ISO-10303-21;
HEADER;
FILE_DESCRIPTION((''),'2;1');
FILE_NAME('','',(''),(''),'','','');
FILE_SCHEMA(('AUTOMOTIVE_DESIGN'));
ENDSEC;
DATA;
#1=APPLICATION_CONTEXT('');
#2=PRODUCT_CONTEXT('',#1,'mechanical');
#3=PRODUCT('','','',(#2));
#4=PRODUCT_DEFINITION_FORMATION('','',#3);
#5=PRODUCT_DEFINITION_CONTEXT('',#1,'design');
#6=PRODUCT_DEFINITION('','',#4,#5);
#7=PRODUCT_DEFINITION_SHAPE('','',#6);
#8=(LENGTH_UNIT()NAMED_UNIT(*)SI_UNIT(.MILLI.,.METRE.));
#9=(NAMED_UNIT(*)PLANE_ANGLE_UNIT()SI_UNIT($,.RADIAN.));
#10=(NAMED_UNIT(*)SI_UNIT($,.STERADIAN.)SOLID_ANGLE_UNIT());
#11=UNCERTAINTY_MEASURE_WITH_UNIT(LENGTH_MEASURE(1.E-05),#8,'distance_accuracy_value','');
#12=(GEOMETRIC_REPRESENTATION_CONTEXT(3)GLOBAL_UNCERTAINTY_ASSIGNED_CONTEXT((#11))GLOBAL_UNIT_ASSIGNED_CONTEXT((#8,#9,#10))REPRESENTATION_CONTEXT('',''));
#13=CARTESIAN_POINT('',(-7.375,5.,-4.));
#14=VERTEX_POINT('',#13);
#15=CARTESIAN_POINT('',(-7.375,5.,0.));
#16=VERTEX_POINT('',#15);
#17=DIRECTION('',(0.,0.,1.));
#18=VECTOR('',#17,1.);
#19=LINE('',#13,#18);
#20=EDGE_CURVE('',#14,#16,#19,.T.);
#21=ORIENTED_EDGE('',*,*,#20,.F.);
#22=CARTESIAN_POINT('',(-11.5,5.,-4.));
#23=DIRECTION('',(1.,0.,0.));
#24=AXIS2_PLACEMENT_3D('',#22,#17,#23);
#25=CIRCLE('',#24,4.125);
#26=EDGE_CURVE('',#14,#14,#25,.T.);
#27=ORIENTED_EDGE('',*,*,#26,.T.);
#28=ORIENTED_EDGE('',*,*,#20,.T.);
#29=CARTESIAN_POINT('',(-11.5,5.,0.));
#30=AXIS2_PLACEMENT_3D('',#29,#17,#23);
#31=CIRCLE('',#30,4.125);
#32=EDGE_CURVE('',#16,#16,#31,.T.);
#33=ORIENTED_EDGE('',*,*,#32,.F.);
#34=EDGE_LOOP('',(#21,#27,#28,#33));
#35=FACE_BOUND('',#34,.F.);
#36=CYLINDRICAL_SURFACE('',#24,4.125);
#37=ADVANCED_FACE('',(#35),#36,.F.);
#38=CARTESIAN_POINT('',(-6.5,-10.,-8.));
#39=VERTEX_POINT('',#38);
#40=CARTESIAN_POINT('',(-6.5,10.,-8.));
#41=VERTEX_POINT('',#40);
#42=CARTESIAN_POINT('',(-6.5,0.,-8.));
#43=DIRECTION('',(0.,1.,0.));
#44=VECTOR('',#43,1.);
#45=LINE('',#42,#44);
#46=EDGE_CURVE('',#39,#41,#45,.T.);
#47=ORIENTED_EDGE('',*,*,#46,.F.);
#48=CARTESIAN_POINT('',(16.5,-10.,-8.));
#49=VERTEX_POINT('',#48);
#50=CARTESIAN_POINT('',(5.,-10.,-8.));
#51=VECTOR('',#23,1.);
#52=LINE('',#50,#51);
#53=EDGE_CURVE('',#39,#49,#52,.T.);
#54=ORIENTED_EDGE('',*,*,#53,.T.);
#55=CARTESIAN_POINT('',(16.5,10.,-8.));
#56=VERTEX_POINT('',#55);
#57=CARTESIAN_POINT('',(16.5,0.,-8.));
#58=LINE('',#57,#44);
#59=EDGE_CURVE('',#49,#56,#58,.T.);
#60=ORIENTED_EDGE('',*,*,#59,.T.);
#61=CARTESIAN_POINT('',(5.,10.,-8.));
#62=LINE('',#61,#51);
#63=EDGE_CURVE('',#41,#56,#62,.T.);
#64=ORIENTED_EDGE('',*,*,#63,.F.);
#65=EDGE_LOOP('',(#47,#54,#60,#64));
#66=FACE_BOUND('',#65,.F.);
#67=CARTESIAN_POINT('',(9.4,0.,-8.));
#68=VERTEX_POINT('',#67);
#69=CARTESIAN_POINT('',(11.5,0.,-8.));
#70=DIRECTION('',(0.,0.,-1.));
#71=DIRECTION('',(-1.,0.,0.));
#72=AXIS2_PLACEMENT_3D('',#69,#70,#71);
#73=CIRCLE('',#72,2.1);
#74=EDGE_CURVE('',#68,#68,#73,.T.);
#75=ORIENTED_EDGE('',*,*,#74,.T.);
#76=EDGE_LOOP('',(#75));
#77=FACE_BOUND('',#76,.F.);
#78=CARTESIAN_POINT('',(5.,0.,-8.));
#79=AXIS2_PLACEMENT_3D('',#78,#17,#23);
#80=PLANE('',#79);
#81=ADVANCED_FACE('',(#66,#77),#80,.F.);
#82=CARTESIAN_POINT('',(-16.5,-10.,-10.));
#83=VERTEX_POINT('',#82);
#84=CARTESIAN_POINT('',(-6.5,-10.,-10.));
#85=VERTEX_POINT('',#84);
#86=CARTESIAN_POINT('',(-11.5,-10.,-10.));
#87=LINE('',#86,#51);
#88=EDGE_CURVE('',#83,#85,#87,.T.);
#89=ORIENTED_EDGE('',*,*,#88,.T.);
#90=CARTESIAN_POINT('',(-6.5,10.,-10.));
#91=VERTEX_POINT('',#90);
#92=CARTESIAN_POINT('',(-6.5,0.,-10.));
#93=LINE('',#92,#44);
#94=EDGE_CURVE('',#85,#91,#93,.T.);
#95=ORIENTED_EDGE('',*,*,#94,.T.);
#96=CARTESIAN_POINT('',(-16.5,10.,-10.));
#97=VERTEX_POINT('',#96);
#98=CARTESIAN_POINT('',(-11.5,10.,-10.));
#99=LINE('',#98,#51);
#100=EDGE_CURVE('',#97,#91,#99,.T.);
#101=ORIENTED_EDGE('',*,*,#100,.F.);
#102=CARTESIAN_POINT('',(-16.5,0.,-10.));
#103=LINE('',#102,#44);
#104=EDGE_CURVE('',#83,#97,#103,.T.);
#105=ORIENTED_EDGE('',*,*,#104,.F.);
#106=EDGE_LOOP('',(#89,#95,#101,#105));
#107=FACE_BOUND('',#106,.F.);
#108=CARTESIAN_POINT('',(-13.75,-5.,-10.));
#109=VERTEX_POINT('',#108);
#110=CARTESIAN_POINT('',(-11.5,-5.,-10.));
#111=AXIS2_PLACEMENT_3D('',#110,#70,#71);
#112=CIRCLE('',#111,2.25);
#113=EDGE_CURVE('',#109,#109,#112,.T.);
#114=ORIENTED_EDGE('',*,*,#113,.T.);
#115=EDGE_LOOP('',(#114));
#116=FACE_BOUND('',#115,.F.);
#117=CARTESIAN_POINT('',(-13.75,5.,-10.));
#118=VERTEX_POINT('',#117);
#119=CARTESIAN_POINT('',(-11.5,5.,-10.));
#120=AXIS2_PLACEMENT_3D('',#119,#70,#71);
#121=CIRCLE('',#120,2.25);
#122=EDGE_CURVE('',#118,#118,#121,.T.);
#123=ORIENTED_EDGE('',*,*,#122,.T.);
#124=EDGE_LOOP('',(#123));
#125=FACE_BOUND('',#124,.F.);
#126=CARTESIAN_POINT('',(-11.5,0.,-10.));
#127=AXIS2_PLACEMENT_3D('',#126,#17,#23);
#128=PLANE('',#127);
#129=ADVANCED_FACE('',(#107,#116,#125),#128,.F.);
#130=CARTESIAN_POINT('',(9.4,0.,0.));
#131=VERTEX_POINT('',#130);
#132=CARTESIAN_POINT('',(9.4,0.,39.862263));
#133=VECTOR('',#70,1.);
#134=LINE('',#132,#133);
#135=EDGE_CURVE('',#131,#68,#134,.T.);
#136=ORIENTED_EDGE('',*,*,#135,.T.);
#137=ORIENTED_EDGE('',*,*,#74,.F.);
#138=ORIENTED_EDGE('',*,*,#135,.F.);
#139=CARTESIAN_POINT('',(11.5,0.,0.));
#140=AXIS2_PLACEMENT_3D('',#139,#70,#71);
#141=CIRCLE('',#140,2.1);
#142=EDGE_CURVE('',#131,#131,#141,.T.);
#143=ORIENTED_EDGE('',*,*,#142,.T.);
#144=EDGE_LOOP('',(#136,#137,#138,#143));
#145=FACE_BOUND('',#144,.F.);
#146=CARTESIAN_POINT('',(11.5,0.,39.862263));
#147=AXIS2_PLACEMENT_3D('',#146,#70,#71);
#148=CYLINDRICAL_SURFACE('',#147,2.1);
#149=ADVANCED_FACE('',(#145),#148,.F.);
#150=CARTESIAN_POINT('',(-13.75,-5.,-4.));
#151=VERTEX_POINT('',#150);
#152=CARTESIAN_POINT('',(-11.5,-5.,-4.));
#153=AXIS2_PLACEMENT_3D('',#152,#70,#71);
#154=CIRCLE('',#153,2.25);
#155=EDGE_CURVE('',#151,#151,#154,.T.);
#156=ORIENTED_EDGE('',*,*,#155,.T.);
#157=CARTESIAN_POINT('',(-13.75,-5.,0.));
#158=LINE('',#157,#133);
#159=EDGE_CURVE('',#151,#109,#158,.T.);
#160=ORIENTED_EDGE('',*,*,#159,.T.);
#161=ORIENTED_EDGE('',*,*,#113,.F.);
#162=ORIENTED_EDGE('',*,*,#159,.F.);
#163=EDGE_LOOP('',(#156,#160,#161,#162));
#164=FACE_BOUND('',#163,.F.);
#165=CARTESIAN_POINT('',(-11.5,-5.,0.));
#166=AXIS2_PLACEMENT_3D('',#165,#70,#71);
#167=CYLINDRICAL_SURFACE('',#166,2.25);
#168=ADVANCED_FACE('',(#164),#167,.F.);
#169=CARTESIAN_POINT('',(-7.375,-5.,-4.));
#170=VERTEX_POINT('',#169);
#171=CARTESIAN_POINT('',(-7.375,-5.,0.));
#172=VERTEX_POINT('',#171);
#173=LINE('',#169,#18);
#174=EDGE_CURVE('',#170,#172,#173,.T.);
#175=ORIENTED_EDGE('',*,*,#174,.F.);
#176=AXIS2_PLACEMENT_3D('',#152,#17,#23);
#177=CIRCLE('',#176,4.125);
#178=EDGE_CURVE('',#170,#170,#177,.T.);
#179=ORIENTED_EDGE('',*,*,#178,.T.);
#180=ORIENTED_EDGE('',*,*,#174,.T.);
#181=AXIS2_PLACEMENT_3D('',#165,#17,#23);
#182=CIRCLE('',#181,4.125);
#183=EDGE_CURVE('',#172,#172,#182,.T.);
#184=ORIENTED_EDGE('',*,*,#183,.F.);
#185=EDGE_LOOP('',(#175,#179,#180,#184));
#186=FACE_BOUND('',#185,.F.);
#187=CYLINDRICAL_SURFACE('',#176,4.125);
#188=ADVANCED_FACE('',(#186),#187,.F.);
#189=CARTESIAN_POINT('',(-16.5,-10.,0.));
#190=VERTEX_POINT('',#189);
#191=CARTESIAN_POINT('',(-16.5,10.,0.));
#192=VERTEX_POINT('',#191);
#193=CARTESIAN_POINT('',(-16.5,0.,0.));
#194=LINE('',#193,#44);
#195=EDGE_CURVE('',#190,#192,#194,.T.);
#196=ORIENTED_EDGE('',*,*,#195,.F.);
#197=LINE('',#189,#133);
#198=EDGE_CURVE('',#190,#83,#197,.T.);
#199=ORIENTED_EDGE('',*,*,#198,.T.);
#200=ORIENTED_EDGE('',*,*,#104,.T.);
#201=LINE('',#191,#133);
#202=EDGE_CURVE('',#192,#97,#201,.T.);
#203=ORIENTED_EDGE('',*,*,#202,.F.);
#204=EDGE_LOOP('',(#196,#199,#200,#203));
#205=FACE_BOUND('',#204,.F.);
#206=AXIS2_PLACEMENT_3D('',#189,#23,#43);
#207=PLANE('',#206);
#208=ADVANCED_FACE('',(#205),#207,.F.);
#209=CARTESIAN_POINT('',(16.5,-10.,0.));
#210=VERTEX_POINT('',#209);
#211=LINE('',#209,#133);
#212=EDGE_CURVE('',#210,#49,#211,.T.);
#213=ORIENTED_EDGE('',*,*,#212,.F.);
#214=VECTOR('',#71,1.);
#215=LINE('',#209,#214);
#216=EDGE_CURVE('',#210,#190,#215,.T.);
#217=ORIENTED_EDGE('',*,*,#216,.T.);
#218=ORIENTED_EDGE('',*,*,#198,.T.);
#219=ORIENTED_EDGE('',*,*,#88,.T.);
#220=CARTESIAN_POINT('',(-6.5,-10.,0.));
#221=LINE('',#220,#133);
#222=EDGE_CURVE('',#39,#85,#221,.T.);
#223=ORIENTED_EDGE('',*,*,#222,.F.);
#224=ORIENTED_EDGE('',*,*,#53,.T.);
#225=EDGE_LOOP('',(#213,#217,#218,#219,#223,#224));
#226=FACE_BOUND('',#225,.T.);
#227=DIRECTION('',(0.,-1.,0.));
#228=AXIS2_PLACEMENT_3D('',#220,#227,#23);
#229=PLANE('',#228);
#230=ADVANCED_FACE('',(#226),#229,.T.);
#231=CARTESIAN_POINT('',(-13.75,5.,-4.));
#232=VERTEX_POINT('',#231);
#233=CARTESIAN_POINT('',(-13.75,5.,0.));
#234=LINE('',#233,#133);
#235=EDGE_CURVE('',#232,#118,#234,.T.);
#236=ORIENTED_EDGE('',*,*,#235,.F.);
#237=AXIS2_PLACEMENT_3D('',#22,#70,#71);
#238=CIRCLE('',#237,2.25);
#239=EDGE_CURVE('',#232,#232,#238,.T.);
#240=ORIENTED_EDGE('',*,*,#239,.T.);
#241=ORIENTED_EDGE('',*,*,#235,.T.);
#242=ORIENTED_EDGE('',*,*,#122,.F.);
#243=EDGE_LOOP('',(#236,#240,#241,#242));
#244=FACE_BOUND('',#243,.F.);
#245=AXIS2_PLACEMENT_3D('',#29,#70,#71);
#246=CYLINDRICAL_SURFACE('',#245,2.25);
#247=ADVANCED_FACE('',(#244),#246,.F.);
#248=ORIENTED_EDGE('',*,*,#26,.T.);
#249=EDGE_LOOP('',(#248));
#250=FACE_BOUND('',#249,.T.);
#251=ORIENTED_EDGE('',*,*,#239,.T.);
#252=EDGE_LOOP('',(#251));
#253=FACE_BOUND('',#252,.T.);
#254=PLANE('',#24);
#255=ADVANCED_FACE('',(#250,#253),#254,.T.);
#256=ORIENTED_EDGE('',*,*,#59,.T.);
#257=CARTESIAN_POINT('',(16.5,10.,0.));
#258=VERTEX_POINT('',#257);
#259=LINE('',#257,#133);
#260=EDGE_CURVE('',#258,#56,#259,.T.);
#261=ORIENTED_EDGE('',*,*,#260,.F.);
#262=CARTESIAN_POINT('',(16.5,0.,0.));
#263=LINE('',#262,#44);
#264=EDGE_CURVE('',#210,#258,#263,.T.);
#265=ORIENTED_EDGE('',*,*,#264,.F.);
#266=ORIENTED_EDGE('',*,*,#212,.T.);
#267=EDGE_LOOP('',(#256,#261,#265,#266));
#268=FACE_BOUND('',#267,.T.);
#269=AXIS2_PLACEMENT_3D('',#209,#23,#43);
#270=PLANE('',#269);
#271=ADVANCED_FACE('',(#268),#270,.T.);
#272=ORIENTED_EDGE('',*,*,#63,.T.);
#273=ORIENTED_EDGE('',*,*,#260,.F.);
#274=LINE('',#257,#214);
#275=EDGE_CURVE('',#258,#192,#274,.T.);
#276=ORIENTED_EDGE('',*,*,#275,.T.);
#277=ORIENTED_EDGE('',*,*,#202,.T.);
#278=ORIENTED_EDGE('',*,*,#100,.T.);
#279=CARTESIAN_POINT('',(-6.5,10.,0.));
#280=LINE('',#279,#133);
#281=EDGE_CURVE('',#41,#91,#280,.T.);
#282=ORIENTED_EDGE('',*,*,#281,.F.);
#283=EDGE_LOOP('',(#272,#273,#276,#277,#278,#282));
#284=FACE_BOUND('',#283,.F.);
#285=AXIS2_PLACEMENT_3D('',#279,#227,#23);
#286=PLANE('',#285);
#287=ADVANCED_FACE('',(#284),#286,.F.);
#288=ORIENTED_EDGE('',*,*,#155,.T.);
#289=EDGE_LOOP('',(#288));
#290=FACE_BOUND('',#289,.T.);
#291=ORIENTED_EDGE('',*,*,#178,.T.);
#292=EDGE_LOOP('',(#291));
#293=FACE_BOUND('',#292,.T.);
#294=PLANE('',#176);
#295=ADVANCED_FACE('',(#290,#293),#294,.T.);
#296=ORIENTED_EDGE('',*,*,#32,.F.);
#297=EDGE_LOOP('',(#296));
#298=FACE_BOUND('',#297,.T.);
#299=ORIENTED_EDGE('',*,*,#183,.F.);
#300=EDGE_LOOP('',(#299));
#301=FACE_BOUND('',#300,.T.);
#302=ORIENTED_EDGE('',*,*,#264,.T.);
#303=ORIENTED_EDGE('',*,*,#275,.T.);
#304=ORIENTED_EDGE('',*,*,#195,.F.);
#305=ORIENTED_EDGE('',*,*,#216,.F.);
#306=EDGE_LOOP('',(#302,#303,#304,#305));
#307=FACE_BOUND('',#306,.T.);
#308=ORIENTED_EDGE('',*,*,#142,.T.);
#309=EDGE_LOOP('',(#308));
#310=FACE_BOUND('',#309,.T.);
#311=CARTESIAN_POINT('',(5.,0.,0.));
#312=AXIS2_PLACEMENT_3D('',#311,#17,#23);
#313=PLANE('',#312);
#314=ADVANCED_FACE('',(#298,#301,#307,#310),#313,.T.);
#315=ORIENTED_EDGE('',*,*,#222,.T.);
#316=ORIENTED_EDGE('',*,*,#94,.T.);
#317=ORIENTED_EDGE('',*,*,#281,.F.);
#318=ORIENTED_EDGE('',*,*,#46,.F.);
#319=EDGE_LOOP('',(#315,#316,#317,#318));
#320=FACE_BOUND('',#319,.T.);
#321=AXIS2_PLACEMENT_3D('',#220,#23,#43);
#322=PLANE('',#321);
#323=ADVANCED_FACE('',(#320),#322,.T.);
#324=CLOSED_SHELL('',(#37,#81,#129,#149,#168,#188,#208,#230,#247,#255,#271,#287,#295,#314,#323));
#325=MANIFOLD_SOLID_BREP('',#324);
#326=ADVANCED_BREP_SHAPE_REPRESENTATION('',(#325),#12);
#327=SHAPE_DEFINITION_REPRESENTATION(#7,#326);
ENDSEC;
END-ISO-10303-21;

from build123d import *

# Parameters (mm, degrees)
F0_W           = 10
F0_H           = 20
F1_DEPTH       = 10
F0_W_2         = 23
F2_DEPTH       = 8
F3_D           = 4.2
F4_D           = 4.5
F4_CBORE_D     = 8.25
F4_CBORE_DEPTH = 4


with BuildPart() as f1:
    # F0 (on Top) → F1 (new body)
    with BuildSketch(Plane.XY):
        with Locations((-11.5, 0)):
            Rectangle(F0_W, F0_H)
    extrude(amount=-F1_DEPTH)

    # F0 (on Top) → F2 (join)
    with BuildSketch(Plane.XY):
        with Locations((5, 0)):
            Rectangle(F0_W_2, F0_H)
    extrude(amount=-F2_DEPTH)

    # F3 (through all)
    with Locations(Plane.XY):
        with Locations((11.5, 0)):
            Hole(F3_D / 2)

    # F4 (through all)
    with Locations(Plane.XY):
        with Locations((-11.5, 5), (-11.5, -5)):
            CounterBoreHole(F4_D / 2, F4_CBORE_D / 2, F4_CBORE_DEPTH)


solid = f1.part
